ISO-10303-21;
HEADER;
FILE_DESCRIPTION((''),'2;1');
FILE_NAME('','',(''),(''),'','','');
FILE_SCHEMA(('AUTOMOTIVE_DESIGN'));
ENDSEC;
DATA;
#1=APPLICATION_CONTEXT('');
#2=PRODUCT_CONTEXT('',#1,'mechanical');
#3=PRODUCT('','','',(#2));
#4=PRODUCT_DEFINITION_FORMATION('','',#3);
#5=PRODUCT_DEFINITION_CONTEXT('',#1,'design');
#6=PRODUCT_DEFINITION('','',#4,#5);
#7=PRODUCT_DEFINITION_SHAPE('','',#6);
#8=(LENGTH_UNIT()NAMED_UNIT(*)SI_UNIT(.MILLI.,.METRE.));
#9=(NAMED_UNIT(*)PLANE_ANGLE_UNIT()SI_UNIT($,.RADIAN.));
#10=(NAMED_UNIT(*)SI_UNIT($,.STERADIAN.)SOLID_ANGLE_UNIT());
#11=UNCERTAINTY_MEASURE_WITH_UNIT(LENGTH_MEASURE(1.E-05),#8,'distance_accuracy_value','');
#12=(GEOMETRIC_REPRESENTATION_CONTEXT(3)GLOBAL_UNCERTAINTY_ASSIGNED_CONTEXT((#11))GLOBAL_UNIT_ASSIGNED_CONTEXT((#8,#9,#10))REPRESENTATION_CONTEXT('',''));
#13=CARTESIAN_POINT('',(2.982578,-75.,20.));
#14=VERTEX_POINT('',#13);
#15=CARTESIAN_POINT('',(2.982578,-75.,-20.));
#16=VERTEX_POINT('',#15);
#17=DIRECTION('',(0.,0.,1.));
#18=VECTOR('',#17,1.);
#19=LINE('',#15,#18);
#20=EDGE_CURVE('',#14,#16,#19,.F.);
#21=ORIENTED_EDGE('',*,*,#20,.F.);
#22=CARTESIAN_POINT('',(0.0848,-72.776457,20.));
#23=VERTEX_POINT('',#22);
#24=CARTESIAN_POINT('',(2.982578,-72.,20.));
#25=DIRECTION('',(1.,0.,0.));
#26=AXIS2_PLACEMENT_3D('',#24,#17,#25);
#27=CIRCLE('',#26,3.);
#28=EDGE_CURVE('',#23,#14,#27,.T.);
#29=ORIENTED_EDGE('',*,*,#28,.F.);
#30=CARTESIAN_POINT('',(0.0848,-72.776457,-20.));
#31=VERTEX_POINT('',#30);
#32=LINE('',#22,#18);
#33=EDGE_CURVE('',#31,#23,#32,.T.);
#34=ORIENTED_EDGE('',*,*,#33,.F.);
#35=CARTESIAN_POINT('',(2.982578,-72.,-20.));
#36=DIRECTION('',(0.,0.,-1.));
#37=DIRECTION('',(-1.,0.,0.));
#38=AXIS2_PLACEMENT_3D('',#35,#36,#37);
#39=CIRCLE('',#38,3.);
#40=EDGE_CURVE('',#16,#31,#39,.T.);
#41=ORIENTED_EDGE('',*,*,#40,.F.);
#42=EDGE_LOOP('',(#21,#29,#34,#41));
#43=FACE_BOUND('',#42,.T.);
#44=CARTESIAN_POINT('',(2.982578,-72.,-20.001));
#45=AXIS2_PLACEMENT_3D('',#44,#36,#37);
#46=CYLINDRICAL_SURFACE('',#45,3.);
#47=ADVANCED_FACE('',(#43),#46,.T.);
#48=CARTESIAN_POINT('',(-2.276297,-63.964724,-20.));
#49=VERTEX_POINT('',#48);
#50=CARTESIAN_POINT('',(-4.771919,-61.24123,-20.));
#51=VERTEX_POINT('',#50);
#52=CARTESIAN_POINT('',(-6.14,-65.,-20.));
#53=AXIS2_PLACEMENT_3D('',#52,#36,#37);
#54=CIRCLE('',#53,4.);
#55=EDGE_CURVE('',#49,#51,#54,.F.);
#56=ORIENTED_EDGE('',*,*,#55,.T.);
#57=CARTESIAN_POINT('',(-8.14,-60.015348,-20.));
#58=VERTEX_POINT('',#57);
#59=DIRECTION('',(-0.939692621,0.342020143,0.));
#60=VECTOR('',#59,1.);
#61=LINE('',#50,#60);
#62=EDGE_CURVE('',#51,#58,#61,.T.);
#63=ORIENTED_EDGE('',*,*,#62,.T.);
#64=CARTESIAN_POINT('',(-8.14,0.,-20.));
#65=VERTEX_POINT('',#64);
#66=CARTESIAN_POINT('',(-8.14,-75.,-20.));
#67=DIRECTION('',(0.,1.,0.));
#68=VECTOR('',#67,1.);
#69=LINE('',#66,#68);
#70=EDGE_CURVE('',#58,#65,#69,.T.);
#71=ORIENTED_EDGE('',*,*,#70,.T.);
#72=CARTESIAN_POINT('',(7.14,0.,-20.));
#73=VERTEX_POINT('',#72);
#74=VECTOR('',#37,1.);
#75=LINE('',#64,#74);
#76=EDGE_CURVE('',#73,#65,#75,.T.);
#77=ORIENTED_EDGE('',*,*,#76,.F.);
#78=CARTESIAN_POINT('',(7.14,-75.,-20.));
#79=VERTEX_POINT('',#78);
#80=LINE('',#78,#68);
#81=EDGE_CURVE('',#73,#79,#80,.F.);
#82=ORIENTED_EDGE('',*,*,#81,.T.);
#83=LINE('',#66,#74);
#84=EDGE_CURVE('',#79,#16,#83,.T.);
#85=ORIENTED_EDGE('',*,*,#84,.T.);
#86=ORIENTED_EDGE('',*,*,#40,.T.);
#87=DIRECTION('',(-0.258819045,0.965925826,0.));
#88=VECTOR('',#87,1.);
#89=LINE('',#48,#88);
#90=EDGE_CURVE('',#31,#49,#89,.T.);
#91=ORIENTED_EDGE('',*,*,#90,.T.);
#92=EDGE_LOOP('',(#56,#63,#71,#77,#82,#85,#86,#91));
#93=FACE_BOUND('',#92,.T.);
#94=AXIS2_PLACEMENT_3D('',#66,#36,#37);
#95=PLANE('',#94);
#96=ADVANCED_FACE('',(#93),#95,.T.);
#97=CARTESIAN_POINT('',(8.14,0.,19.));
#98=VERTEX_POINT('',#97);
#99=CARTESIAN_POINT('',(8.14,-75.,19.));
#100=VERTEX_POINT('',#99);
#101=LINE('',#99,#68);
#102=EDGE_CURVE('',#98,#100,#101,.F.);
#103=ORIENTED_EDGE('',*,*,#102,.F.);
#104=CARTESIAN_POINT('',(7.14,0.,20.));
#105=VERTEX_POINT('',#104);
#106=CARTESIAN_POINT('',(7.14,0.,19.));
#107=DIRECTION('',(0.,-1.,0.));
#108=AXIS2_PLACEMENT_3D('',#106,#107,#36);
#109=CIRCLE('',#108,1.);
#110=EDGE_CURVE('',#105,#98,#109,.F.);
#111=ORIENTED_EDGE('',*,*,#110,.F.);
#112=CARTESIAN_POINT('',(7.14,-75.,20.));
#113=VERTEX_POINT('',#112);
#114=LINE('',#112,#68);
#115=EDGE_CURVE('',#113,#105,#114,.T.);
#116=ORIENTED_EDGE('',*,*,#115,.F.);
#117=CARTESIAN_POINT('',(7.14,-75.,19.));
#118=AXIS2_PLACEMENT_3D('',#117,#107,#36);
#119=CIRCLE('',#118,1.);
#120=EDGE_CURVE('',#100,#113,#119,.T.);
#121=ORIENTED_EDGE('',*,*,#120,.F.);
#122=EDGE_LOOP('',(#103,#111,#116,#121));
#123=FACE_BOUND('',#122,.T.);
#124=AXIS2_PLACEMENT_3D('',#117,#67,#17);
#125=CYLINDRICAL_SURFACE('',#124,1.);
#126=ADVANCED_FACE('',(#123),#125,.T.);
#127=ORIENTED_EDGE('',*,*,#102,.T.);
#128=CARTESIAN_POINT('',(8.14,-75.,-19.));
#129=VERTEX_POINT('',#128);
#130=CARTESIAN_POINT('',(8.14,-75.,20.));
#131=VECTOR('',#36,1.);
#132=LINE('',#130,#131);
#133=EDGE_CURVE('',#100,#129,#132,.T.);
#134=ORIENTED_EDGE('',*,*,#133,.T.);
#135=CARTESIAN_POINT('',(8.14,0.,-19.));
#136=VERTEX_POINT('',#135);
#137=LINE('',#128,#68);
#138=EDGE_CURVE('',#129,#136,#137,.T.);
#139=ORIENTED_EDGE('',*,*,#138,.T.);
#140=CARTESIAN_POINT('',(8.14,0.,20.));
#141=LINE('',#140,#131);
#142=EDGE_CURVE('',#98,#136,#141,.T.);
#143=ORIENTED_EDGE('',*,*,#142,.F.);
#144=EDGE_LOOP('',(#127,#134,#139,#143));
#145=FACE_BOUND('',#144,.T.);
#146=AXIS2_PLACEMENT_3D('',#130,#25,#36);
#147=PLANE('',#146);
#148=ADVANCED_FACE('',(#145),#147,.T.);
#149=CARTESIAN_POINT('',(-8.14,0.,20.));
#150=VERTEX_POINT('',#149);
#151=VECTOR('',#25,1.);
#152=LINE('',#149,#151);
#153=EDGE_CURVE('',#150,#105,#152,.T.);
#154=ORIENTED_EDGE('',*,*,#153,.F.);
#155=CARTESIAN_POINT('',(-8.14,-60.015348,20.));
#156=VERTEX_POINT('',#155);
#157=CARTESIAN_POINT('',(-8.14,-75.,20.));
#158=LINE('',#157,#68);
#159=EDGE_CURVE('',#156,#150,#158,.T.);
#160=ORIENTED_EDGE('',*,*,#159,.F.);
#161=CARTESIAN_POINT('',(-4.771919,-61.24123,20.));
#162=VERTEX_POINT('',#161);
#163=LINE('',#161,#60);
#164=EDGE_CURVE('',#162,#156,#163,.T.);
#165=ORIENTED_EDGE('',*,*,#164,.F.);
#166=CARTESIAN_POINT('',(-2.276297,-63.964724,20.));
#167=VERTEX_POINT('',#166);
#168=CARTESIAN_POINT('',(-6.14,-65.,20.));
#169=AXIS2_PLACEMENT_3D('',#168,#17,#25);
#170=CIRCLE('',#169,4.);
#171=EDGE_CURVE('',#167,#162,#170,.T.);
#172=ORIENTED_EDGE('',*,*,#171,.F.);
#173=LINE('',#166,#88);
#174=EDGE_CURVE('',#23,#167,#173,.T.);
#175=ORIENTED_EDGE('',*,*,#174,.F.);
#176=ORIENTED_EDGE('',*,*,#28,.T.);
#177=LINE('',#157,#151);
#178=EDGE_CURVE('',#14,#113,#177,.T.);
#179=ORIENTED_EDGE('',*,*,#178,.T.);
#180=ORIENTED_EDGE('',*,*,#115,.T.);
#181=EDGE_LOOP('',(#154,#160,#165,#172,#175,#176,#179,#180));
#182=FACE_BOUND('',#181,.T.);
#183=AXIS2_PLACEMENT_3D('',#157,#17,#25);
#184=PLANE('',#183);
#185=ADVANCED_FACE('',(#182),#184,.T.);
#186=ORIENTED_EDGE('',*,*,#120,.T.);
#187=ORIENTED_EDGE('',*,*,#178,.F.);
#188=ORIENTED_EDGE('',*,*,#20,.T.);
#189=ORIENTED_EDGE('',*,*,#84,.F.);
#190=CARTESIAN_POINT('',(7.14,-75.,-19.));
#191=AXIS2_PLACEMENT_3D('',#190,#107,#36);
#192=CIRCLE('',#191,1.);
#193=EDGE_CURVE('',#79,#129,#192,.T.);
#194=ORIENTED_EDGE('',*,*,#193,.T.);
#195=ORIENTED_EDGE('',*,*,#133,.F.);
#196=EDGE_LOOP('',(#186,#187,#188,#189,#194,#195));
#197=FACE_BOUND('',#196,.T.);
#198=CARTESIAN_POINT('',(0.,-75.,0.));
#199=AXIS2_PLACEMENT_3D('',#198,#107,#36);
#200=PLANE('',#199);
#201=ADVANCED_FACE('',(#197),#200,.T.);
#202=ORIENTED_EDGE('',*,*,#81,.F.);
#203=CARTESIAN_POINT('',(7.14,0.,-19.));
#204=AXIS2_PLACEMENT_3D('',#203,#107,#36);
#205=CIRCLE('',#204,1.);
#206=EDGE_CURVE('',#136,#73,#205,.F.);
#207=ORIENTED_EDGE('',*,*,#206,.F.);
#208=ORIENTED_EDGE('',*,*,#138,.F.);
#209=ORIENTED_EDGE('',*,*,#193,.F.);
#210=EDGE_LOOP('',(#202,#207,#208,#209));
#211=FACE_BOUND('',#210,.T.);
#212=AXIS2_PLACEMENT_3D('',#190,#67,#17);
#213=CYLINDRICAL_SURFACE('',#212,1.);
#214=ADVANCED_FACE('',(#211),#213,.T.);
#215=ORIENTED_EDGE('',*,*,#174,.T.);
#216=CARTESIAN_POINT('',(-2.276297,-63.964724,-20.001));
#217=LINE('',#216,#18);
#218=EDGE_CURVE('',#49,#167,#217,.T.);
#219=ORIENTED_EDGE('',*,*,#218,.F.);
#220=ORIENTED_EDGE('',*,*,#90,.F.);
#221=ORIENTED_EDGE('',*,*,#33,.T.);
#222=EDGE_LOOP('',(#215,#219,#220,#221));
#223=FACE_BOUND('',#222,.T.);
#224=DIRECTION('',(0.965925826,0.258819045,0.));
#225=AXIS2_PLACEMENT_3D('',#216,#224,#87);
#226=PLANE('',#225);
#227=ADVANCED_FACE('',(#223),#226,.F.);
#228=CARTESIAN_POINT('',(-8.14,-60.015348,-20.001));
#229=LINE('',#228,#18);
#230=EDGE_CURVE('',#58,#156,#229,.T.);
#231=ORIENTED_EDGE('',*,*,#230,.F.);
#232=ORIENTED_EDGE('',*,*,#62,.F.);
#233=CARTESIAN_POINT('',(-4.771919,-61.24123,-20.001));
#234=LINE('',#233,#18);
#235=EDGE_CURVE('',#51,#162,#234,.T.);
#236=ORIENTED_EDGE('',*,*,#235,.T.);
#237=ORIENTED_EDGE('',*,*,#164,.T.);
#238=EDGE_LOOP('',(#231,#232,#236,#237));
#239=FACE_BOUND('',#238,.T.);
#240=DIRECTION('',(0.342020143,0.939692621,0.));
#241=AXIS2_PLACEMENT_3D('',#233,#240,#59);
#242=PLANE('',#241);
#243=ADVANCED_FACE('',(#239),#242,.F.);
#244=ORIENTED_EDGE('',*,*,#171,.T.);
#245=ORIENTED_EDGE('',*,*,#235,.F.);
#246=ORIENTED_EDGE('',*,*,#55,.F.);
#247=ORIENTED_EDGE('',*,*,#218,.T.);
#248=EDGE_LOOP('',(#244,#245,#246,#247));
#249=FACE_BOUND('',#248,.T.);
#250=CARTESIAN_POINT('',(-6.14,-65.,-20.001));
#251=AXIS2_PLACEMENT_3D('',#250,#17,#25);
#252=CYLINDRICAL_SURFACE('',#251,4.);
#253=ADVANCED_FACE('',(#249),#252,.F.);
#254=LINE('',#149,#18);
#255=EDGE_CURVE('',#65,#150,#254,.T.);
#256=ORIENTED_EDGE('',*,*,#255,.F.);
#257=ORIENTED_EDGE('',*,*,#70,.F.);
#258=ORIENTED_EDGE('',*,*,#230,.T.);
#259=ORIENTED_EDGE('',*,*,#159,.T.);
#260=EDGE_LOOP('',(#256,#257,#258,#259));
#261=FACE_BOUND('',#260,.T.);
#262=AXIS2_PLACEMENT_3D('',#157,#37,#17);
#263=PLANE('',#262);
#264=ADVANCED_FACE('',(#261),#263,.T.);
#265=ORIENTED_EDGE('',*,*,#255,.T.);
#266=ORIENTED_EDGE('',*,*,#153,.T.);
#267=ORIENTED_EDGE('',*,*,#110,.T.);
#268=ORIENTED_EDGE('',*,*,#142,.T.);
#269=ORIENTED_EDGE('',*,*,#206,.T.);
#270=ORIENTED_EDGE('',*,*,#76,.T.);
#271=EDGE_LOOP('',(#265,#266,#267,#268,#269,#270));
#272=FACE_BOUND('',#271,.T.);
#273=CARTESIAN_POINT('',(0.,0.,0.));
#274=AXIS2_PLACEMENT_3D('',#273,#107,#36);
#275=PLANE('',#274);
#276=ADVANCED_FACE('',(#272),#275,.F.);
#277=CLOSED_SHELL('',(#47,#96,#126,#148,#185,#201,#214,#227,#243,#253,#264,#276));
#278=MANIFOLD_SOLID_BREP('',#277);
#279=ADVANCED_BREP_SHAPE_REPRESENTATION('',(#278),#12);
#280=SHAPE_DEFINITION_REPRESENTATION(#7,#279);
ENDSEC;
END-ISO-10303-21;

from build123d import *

# Parameters (mm, degrees)
SKETCH1_W           = 16.28
SKETCH1_H           = 40
BOSS_EXTRUDE1_DEPTH = 75
CUT_EXTRUDE1_REACH  = 87.389
FILLET1_R           = 3
FILLET2_R           = 1


with BuildPart() as part:
    # Sketch1 → Boss-Extrude1 (new body)
    with BuildSketch(Plane(origin=(0, 0, 0), x_dir=(1, 0, 0), z_dir=(0, 1, 0))):
        Rectangle(SKETCH1_W, SKETCH1_H)
    extrude(amount=-BOSS_EXTRUDE1_DEPTH)

    # Sketch2 → Cut-Extrude1 (cut, up to next)
    with BuildSketch(Plane.XY.offset(20), mode=Mode.PRIVATE) as cut_extrude1_sk1:
        with BuildLine():
            Line((-4.771919427, -61.241229517), (-8.14, -60.015348442))
            Line((-8.14, -60.015348442), (-8.14, -75))
            Line((-8.14, -75), (0.680596646, -75))
            Line((0.680596646, -75), (-2.276296695, -63.96472382))
            ThreePointArc((-2.276296695, -63.96472382), (-3.190890653, -62.29763917), (-4.771919427, -61.241229517))
        make_face()
    cut_extrude1_tool1 = extrude(cut_extrude1_sk1.sketch, amount=-CUT_EXTRUDE1_REACH, mode=Mode.PRIVATE) & part.part
    add(cut_extrude1_tool1.solids().sort_by_distance((-4.638946, -68.648794, 20))[0], mode=Mode.SUBTRACT)

    # Fillet1
    fillet1_edges = [part.edges().sort_by_distance(p)[0] for p in [
        (0.680596646, -75, 0),
    ]]
    fillet(fillet1_edges, radius=FILLET1_R)

    # Fillet2
    fillet2_edges = [part.edges().sort_by_distance(p)[0] for p in [
        (8.14, -37.5, 20),
        (8.14, -37.5, -20),
    ]]
    fillet(fillet2_edges, radius=FILLET2_R)


solid = part.part
